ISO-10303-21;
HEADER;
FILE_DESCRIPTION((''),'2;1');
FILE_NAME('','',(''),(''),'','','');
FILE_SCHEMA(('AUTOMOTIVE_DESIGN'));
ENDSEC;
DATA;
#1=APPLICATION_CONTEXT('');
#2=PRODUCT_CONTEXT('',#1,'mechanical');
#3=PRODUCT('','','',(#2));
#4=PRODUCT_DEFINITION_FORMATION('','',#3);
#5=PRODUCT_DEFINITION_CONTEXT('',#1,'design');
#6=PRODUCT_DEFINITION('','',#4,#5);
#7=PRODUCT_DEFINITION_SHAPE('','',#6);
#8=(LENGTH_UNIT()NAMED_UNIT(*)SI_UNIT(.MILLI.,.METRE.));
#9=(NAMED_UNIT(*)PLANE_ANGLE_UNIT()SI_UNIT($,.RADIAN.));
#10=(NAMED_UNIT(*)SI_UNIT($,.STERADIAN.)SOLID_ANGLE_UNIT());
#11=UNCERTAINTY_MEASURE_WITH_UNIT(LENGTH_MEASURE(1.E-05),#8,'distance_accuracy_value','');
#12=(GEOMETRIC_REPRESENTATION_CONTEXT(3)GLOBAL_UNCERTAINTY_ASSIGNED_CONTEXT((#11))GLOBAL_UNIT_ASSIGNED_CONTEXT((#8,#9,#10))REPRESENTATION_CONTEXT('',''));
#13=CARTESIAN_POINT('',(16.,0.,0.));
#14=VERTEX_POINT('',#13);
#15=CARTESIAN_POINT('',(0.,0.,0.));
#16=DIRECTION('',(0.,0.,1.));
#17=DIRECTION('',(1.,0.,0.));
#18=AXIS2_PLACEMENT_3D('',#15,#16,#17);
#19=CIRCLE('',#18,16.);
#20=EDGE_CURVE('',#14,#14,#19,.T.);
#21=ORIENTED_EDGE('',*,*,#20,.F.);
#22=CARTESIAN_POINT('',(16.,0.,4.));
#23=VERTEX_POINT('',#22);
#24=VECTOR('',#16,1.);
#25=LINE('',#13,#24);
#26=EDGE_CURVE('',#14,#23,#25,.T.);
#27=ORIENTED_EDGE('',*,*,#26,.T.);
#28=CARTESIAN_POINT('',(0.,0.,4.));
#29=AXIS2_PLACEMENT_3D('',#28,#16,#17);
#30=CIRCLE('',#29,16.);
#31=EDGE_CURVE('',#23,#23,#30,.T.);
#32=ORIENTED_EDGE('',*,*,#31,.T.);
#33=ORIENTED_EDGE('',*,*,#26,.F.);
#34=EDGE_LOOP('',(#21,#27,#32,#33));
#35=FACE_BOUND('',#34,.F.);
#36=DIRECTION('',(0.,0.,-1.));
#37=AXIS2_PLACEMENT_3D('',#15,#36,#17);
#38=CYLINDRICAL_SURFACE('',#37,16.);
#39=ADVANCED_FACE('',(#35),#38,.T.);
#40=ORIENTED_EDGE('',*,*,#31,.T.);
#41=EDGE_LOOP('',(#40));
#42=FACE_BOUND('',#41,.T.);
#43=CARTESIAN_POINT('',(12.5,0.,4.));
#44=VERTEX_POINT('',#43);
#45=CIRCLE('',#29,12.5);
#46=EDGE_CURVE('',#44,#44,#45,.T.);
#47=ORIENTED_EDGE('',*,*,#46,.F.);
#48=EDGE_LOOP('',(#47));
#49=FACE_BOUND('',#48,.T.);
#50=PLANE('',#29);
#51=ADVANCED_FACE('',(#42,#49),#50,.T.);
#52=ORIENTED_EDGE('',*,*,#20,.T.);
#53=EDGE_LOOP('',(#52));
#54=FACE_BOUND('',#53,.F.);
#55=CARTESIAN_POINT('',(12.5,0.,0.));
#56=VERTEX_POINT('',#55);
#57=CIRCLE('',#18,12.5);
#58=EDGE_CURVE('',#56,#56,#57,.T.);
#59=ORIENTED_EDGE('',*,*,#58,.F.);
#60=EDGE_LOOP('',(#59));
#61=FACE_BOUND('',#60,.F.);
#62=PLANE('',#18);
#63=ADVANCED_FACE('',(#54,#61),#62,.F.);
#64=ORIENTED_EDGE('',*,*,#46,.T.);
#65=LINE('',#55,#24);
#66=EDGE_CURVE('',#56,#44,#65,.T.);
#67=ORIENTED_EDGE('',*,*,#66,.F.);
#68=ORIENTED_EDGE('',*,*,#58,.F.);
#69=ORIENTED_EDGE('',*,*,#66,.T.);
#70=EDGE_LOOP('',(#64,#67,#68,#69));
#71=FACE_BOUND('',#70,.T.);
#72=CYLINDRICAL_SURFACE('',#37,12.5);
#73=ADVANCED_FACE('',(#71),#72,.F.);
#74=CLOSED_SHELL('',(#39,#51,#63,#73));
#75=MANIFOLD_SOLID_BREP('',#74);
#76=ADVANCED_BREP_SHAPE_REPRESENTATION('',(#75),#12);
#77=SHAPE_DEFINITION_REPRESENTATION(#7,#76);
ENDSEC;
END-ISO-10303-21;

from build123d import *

# Parameters (mm, degrees)
SKETCH_1_R      = 16
SKETCH_1_R_2    = 12.5
EXTRUDE_1_DEPTH = 4


with BuildPart() as part:
    # 草图1 → 凸台-拉伸1 (new body)
    with BuildSketch(Plane.XY):
        Circle(SKETCH_1_R)
        Circle(SKETCH_1_R_2, mode=Mode.SUBTRACT)
    extrude(amount=EXTRUDE_1_DEPTH)


solid = part.part
